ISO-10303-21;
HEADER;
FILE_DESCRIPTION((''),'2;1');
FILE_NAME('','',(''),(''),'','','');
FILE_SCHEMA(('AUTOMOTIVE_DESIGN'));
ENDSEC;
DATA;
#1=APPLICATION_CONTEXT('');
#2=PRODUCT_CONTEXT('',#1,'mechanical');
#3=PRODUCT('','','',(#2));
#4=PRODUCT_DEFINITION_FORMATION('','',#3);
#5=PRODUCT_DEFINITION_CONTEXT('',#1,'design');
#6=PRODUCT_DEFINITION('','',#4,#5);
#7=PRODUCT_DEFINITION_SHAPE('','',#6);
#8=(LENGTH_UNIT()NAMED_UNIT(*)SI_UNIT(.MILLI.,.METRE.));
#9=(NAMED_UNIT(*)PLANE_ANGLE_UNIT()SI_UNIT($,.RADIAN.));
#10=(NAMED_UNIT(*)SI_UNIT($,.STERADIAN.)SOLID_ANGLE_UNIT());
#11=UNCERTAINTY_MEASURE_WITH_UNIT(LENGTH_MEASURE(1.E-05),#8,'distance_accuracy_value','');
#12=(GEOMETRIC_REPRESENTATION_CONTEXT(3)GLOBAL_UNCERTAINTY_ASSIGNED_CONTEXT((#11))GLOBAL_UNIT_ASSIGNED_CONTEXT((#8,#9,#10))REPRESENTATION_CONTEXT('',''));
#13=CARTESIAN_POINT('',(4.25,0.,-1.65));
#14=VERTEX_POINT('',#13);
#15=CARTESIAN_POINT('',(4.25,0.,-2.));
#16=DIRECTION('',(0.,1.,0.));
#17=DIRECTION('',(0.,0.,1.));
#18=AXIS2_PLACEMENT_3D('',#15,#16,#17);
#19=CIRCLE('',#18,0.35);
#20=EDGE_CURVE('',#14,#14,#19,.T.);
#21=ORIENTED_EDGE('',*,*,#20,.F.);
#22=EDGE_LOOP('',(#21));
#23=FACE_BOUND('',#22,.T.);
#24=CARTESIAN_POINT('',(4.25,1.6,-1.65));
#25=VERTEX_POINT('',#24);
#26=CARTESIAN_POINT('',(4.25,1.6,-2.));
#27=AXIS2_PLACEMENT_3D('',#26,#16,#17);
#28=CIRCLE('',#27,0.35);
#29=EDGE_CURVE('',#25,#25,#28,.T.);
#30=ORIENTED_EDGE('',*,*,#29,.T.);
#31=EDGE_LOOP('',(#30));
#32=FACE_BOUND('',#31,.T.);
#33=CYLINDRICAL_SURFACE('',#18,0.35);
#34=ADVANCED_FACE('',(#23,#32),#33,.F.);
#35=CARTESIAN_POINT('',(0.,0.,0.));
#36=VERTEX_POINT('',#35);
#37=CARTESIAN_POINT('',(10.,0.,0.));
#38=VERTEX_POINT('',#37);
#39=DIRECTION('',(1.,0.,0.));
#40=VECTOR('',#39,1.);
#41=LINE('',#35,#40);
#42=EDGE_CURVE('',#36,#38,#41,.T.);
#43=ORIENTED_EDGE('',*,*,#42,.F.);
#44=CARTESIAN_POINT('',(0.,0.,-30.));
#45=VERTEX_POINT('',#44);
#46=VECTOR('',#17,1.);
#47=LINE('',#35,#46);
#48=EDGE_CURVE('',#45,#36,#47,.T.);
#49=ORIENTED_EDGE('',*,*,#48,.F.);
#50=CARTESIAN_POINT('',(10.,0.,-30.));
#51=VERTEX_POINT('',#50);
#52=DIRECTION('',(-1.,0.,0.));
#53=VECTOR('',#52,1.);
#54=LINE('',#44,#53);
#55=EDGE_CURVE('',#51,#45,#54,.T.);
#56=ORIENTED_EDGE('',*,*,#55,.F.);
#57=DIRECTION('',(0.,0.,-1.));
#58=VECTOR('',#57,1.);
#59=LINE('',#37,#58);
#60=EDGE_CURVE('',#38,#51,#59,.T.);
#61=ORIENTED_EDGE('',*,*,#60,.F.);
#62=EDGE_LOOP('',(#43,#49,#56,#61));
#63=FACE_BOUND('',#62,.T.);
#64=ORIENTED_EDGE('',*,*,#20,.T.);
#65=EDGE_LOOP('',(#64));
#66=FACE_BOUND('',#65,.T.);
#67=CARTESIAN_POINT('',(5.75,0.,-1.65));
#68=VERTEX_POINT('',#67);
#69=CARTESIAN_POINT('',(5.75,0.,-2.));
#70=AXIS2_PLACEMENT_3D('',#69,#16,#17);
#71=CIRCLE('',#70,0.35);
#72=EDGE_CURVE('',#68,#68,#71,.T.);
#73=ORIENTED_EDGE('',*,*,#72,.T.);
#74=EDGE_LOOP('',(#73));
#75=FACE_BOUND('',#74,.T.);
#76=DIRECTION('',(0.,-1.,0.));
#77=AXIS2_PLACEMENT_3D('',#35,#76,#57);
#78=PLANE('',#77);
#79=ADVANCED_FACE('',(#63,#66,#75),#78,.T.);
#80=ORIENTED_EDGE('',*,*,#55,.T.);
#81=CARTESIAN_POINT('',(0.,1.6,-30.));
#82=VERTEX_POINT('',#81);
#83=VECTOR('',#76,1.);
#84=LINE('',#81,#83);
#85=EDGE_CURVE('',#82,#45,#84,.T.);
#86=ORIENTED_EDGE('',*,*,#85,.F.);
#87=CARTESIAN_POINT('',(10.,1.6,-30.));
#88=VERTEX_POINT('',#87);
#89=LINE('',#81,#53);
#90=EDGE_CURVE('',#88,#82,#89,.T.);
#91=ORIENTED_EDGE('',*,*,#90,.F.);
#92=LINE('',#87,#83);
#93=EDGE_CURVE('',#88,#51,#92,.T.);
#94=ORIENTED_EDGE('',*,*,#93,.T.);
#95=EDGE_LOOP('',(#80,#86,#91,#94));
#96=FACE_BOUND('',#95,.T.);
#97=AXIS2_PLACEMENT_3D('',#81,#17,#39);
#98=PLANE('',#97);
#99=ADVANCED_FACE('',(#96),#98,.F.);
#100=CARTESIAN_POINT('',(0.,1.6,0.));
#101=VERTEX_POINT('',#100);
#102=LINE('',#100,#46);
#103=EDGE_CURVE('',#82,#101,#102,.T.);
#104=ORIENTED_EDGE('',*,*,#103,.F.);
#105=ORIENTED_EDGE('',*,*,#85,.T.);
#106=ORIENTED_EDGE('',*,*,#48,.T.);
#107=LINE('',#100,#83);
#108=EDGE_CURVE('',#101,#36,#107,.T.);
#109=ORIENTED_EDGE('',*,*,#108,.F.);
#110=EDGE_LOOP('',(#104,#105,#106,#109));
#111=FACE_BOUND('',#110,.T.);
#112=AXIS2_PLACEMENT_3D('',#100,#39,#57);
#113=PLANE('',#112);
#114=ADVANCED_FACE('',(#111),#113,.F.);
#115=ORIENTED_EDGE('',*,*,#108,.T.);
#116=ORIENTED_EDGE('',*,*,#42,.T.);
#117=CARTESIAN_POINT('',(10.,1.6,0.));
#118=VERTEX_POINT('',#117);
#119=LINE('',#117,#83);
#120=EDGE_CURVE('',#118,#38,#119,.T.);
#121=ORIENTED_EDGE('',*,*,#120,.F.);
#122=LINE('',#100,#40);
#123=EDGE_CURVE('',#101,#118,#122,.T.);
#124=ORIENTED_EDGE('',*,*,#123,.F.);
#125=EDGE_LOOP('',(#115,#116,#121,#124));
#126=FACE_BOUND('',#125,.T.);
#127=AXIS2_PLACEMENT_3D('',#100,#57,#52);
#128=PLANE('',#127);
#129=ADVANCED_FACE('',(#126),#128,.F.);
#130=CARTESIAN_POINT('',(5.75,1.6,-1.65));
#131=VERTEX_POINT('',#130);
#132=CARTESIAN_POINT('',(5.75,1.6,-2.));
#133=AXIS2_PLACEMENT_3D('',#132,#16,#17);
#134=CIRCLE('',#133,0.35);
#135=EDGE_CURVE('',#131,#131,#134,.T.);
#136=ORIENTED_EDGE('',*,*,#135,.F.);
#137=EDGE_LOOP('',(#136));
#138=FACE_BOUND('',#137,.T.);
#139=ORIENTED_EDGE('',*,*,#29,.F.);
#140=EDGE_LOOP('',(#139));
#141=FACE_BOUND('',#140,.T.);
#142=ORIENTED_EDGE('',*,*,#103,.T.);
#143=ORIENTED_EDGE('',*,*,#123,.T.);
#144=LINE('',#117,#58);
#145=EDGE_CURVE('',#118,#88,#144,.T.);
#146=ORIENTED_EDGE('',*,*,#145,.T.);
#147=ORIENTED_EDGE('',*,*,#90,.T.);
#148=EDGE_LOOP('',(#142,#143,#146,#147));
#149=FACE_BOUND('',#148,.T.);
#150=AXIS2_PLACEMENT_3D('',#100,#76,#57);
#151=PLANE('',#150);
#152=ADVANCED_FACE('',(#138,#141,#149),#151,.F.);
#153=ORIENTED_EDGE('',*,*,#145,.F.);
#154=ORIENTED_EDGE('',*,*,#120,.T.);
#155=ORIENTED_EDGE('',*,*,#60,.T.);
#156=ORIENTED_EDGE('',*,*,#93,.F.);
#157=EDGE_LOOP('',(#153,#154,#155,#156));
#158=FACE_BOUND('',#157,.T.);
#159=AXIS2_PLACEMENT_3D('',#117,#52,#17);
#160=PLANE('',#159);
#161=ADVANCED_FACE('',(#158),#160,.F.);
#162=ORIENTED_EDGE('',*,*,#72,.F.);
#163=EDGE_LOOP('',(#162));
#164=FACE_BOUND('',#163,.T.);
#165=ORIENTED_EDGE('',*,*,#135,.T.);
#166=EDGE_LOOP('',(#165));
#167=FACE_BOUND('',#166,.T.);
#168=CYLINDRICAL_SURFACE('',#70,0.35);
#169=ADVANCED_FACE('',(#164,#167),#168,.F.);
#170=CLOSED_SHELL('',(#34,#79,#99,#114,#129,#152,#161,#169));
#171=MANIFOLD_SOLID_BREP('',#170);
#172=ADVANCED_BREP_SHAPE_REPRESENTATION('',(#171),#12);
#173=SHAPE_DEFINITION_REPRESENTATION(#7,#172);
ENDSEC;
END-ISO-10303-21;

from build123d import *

# Parameters (mm, degrees)
SKETCH1_W           = 10
SKETCH1_H           = 30
BOSS_EXTRUDE1_DEPTH = 1.6
SKETCH3_R           = 0.35
CUT_EXTRUDE1_DEPTH  = 2.6


with BuildPart() as part:
    # Sketch1 → Boss-Extrude1 (new body)
    with BuildSketch(Plane(origin=(0, 0, 0), x_dir=(1, 0, 0), z_dir=(0, 1, 0))):
        with Locations((5, 15)):
            Rectangle(SKETCH1_W, SKETCH1_H)
    extrude(amount=BOSS_EXTRUDE1_DEPTH)

    # Sketch3 → Cut-Extrude1 (cut, through all)
    with BuildSketch(Plane(origin=(0, 1.6, 0), x_dir=(1, 0, 0), z_dir=(0, 1, 0))):
        with Locations((4.25, 2)):
            Circle(SKETCH3_R)
        with Locations((5.75, 2)):
            Circle(SKETCH3_R)
    extrude(amount=-CUT_EXTRUDE1_DEPTH, mode=Mode.SUBTRACT)


solid = part.part
